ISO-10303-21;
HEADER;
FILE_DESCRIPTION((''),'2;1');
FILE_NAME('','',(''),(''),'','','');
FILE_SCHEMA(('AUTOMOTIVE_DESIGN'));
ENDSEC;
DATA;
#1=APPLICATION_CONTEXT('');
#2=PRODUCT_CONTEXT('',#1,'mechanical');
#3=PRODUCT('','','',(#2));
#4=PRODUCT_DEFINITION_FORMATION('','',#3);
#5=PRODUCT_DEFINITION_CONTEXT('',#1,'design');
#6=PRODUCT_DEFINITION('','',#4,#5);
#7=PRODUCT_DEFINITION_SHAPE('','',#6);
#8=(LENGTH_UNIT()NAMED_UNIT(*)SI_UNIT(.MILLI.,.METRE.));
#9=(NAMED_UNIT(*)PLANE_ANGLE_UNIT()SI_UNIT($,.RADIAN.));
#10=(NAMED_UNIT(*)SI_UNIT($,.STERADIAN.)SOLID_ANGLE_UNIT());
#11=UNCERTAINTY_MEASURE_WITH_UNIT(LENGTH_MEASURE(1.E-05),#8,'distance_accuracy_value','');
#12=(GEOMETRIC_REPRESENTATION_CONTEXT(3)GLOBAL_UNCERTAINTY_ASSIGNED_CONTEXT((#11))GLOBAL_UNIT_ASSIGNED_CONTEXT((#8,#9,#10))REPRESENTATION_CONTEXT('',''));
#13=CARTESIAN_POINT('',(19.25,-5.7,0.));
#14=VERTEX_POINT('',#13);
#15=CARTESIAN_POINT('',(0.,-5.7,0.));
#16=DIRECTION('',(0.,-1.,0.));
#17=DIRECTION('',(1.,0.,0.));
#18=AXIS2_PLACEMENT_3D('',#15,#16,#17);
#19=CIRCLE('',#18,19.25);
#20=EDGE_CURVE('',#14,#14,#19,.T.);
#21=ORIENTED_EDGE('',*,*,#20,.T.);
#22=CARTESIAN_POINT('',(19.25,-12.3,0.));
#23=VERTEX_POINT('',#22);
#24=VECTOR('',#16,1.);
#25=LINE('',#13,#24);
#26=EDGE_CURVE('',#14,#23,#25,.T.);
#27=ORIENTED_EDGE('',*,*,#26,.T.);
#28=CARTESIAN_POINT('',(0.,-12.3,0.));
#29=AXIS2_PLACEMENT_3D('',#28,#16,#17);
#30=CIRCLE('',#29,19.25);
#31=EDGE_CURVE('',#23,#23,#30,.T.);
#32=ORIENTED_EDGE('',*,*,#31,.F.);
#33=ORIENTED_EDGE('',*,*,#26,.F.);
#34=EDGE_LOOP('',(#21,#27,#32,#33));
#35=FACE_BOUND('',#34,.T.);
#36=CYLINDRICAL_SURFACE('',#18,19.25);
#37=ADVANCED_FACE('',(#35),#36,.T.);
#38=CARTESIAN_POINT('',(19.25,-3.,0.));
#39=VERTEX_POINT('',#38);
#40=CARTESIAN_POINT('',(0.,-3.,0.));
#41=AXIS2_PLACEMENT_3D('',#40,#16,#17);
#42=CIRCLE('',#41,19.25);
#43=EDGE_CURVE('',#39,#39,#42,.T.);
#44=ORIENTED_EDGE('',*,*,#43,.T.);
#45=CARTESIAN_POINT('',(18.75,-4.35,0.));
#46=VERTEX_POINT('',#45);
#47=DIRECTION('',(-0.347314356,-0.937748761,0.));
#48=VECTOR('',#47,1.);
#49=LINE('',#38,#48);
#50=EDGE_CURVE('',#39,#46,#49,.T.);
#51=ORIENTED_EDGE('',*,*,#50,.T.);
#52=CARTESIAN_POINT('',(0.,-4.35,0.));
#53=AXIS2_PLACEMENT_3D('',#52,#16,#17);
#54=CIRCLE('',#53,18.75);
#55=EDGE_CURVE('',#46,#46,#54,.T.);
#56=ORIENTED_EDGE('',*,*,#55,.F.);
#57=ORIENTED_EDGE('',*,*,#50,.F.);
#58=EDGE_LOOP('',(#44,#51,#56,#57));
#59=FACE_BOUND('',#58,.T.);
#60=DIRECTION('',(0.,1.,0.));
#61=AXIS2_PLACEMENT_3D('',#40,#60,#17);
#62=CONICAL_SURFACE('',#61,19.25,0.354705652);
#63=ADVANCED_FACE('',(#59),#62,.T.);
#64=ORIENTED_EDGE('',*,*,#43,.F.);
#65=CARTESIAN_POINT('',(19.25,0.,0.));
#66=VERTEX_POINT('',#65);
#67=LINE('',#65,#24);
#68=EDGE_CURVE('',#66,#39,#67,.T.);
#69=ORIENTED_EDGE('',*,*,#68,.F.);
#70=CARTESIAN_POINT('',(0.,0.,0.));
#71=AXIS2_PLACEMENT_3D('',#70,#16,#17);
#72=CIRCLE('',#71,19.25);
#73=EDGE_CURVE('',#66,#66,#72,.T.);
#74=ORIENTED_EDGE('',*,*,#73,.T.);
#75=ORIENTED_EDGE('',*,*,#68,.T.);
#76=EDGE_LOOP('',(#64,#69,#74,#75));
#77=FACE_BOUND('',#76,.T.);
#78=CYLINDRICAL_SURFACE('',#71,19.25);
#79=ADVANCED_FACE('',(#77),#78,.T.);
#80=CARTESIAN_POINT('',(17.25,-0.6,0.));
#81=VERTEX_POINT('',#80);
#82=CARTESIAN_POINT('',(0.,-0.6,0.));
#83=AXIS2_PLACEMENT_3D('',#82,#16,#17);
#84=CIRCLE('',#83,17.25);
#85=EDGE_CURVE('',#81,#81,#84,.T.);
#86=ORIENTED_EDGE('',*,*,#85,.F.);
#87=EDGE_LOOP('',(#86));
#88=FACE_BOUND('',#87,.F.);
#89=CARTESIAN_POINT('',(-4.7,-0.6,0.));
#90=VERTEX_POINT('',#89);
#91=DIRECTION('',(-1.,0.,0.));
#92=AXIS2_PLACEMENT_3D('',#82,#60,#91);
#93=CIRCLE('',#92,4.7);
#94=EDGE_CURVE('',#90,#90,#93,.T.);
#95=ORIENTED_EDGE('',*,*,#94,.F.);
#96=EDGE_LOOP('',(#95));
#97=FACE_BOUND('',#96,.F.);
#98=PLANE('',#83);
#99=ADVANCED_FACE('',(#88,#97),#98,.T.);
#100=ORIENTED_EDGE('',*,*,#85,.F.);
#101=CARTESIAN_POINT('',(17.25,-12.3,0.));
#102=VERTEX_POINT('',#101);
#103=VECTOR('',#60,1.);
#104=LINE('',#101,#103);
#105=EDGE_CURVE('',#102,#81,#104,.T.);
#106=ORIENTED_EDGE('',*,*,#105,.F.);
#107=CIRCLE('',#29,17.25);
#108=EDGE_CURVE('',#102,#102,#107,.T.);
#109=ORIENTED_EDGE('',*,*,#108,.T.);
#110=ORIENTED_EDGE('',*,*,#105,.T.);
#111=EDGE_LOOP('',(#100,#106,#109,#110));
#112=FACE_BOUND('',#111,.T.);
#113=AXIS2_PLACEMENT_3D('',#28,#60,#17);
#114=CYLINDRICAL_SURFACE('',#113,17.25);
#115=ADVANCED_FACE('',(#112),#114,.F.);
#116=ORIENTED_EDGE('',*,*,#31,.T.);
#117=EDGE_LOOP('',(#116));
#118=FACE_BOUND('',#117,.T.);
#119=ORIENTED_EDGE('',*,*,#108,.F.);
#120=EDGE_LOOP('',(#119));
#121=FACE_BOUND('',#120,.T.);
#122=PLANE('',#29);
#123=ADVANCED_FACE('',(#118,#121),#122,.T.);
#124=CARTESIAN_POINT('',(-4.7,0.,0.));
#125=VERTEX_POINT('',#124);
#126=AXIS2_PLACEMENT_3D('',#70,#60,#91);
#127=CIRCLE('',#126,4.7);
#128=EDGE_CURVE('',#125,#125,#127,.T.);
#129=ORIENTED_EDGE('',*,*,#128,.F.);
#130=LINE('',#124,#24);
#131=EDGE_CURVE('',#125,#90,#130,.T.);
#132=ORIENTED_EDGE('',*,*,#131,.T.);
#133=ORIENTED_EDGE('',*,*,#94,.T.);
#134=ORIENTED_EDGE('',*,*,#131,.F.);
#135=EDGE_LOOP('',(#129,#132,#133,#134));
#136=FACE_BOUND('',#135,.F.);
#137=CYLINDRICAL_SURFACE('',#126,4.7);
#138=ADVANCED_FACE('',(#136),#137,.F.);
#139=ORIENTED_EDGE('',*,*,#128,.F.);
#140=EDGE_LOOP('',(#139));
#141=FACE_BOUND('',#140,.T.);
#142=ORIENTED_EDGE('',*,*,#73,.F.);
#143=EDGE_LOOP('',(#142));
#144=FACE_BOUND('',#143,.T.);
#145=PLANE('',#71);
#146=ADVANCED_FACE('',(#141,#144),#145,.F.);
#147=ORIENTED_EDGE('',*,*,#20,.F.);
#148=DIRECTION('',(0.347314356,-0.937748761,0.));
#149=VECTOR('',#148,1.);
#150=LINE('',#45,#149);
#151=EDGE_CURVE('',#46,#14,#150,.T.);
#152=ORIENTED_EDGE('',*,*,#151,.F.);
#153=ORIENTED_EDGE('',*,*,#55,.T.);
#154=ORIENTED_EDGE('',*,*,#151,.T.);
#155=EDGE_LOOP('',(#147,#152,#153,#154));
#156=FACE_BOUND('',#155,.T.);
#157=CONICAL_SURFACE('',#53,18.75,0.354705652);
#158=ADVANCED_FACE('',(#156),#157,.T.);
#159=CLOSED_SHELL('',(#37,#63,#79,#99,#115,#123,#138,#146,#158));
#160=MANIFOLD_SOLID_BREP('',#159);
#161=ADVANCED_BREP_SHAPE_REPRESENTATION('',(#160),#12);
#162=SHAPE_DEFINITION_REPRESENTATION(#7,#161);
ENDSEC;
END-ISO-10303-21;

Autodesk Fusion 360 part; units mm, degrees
sketch "Sketch1" plane through (0, 0, 0) normal (0, 0, 1) x (1, 0, 0)
  line L0 (0, 0) -> (19.25, 0)
  line L1 (19.25, 0) -> (19.25, -3)
  line L2 (19.25, -3) -> (19.25, -5.7)
  line L3 (19.25, -5.7) -> (19.25, -12.3)
  line L4 (19.25, -12.3) -> (17.25, -12.3)
  line L5 (17.25, -12.3) -> (17.25, -0.6)
  line L6 (19.25, -3) -> (19.25, -4.35) construction
  line L7 (19.25, -4.35) -> (18.75, -4.35) construction
  line L8 (19.25, -3) -> (18.75, -4.35)
  line L9 (18.75, -4.35) -> (19.25, -5.7)
  line L10 (0, 0) -> (0, -0.6)
  line L11 (0, -0.6) -> (17.25, -0.6)
  dimension "d1" = 19.25
  dimension "d2" = 3
  dimension "d4" = 2.7
  dimension "d5" = 6.6
  dimension "d6" = 2
  dimension "d7" = 11.7
  dimension "d8" = 1.35
  dimension "d9" = 0.5
  dimension "d10" = 17.25
  dimension "d11" = 0.6
  dimension "d12" = 19.25
revolve "Revolve1" add sketch "Sketch1" angle 360 about axis through (0, 0, 0) along (0, -1, 0) contours L0 L1 L3 L4 L5 L8 L9 L10 L11
sketch "Sketch2" plane through (0, 0, 0) normal (0, 1, 0) x (-1, 0, 0)
  circle A0 centre (0, 0) radius 19.25
  circle A1 centre (0, 0) radius 18.825
  circle A2 centre (0, 0) radius 4.7
  dimension "d14" = 38.5
  dimension "d15" = 37.65
  dimension "d16" = 9.4
extrude "Extrude1" cut sketch "Sketch2" against normal blind 3 contours A2
equation "d15 = d14 - 0.85 mm"
